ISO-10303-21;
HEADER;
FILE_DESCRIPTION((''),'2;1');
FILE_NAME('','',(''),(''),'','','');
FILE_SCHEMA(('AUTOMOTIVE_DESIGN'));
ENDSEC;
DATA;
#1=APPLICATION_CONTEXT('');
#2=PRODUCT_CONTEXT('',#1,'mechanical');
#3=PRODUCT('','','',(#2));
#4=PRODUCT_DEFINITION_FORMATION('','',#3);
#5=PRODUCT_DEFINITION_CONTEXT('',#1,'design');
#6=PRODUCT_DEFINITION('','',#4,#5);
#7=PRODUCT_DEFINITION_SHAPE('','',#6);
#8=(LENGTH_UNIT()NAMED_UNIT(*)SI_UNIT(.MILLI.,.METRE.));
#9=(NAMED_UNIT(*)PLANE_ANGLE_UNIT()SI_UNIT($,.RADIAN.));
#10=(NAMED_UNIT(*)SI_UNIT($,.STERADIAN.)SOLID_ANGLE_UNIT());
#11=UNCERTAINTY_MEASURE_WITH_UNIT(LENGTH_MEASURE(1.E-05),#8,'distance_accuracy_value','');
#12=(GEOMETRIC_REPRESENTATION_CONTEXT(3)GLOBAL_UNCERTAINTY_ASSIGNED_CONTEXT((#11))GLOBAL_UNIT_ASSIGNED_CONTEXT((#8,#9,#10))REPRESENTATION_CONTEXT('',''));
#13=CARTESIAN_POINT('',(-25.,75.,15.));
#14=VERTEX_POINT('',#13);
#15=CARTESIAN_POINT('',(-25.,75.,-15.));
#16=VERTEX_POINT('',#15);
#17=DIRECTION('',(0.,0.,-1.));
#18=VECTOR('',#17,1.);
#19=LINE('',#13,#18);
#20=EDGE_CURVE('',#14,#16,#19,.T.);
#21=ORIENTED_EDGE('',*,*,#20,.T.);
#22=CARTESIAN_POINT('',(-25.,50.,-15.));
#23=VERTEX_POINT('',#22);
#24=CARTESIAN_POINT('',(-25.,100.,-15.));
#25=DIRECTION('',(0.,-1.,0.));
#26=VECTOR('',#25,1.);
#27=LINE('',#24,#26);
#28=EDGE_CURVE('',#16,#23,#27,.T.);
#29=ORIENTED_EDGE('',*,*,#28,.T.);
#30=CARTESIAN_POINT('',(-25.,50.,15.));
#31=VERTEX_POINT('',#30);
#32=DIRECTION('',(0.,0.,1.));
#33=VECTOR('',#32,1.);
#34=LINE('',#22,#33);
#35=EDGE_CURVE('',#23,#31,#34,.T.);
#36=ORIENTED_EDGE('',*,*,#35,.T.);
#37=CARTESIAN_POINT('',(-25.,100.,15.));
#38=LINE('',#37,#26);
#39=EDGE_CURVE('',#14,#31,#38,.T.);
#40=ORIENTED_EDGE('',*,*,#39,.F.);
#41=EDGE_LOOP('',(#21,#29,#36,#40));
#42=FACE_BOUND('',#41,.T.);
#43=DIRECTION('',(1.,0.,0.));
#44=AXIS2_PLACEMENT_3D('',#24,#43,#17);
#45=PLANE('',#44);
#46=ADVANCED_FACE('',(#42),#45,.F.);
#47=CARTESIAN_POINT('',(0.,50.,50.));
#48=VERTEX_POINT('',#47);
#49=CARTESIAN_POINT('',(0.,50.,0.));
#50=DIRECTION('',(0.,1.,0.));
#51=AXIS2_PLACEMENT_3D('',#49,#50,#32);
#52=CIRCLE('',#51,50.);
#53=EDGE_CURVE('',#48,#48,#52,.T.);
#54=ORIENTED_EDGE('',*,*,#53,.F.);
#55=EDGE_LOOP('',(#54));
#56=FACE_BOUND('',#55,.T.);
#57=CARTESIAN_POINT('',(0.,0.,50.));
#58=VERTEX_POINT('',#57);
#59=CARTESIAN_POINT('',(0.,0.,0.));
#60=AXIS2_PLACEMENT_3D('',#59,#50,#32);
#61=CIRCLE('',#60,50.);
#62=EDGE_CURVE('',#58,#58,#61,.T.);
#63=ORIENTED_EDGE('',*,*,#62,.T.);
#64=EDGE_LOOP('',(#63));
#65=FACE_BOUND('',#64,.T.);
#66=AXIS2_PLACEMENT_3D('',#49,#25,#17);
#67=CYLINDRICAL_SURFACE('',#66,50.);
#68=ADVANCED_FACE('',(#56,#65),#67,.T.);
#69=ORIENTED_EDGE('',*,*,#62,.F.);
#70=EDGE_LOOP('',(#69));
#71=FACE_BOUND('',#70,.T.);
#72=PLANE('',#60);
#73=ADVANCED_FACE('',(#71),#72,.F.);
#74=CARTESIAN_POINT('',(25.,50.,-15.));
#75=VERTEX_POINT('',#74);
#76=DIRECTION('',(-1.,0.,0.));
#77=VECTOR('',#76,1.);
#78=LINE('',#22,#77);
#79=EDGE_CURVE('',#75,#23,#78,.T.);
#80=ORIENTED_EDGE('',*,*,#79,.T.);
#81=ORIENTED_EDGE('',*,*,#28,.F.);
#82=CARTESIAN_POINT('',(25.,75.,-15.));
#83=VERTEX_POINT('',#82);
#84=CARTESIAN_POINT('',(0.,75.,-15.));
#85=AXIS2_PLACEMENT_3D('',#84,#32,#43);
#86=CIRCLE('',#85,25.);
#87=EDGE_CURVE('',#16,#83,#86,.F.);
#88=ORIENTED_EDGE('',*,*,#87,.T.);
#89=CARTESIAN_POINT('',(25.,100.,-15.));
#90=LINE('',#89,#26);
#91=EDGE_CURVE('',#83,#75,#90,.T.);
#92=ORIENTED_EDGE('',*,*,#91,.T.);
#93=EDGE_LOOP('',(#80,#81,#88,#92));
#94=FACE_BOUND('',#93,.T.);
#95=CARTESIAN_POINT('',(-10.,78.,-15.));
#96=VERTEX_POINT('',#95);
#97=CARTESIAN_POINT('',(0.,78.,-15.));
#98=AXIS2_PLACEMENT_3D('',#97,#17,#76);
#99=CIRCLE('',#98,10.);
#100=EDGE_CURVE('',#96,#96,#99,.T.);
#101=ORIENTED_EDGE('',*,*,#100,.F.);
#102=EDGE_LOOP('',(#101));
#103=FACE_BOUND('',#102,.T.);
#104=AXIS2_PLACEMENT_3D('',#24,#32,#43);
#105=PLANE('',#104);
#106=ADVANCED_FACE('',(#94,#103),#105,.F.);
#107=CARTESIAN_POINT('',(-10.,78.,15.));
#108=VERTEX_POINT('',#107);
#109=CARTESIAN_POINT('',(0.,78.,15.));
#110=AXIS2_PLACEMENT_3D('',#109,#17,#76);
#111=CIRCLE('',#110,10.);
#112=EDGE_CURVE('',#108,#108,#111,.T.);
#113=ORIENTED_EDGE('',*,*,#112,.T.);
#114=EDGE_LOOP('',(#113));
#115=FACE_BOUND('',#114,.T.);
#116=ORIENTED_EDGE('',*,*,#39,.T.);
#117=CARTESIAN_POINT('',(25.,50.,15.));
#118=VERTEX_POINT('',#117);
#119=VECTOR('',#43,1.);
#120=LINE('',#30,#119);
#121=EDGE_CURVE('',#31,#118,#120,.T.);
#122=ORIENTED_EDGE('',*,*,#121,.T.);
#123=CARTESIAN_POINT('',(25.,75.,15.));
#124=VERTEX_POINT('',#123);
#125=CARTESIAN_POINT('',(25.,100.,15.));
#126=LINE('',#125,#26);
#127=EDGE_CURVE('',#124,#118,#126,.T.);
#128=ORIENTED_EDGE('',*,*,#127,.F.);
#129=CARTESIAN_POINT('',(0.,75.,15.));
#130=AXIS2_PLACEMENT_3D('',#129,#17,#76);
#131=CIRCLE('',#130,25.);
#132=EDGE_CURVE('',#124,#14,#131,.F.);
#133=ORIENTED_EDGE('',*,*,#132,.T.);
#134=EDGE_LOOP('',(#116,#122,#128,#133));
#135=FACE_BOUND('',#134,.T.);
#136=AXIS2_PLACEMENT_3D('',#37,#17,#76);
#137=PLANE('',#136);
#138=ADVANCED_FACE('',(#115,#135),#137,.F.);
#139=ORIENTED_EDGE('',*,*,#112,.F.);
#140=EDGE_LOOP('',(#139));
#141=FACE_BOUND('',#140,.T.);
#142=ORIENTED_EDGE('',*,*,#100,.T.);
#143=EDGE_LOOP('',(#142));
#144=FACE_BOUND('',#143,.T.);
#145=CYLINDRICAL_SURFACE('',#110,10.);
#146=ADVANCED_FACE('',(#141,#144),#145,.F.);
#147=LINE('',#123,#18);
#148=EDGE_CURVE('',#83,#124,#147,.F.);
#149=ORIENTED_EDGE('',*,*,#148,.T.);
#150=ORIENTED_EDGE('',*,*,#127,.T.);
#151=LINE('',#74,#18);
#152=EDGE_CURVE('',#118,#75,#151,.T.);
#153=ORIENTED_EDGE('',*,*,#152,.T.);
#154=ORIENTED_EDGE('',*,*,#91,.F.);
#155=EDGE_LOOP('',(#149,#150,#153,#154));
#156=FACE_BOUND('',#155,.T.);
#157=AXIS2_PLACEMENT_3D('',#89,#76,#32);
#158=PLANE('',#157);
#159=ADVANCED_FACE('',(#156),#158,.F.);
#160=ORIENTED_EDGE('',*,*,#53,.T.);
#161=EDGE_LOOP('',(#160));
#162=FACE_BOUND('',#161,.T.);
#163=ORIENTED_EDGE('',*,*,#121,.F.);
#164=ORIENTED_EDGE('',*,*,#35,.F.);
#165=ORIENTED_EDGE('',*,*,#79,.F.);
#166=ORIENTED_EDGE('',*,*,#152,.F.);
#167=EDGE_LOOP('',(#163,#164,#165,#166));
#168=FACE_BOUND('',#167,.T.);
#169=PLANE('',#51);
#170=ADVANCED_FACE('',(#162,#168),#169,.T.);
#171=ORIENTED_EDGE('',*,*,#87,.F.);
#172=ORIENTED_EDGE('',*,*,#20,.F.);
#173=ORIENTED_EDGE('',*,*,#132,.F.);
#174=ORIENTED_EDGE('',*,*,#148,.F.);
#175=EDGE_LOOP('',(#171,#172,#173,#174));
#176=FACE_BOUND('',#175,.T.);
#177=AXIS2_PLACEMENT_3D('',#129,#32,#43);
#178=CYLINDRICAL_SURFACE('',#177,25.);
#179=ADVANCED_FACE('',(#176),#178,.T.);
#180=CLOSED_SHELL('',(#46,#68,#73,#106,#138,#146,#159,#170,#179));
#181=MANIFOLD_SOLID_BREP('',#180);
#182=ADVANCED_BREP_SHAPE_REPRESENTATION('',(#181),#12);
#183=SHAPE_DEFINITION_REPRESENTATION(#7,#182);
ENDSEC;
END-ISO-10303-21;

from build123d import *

# Parameters (mm, degrees)
CROQUIS1_R              = 50
SALIENTE_EXTRUIR1_DEPTH = 50
CROQUIS2_W              = 50
CROQUIS2_H              = 30
SALIENTE_EXTRUIR2_DEPTH = 50
CROQUIS3_R              = 10
CORTAR_EXTRUIR1_DEPTH   = 30
REDONDEO1_RADIUS        = 25
REDONDEO1_LENGTH        = 30


with BuildPart() as part:
    # Croquis1 → Saliente-Extruir1 (new body)
    with BuildSketch(Plane(origin=(0, 0, 0), x_dir=(1, 0, 0), z_dir=(0, 1, 0))):
        with Locations(Location((0, 0, 0), (0, 0, 270))):
            Circle(CROQUIS1_R)
    extrude(amount=SALIENTE_EXTRUIR1_DEPTH)

    # Croquis2 → Saliente-Extruir2 (add)
    with BuildSketch(Plane(origin=(0, 50, 0), x_dir=(1, 0, 0), z_dir=(0, 1, 0))):
        Rectangle(CROQUIS2_W, CROQUIS2_H)
    extrude(amount=SALIENTE_EXTRUIR2_DEPTH)

    # Croquis3 → Cortar-Extruir1 (cut)
    with BuildSketch(Plane(origin=(0, 0, -15), x_dir=(-1, 0, 0), z_dir=(0, 0, -1))):
        with Locations((0, 78)):
            Circle(CROQUIS3_R)
    extrude(amount=-CORTAR_EXTRUIR1_DEPTH, mode=Mode.SUBTRACT)

    # Redondeo1: full round fillet: the end face becomes a half cylinder, R = half its width
    redondeo1_face = Plane((0, 100, 0), x_dir=(0, 0, 1), z_dir=(0, 1, 0))  # on the end face: x along it, z out of the body
    redondeo1_slab = redondeo1_face.offset(-REDONDEO1_RADIUS / 2) * Box(REDONDEO1_LENGTH, 2 * REDONDEO1_RADIUS, REDONDEO1_RADIUS, mode=Mode.PRIVATE)  # the body's end, R deep
    redondeo1_round = Plane((0, 75, 0), x_dir=(0, 1, 0), z_dir=(0, 0, 1)) * Cylinder(REDONDEO1_RADIUS, REDONDEO1_LENGTH, mode=Mode.PRIVATE)  # its axis R under the face
    add(redondeo1_slab - redondeo1_round, mode=Mode.SUBTRACT)


solid = part.part
